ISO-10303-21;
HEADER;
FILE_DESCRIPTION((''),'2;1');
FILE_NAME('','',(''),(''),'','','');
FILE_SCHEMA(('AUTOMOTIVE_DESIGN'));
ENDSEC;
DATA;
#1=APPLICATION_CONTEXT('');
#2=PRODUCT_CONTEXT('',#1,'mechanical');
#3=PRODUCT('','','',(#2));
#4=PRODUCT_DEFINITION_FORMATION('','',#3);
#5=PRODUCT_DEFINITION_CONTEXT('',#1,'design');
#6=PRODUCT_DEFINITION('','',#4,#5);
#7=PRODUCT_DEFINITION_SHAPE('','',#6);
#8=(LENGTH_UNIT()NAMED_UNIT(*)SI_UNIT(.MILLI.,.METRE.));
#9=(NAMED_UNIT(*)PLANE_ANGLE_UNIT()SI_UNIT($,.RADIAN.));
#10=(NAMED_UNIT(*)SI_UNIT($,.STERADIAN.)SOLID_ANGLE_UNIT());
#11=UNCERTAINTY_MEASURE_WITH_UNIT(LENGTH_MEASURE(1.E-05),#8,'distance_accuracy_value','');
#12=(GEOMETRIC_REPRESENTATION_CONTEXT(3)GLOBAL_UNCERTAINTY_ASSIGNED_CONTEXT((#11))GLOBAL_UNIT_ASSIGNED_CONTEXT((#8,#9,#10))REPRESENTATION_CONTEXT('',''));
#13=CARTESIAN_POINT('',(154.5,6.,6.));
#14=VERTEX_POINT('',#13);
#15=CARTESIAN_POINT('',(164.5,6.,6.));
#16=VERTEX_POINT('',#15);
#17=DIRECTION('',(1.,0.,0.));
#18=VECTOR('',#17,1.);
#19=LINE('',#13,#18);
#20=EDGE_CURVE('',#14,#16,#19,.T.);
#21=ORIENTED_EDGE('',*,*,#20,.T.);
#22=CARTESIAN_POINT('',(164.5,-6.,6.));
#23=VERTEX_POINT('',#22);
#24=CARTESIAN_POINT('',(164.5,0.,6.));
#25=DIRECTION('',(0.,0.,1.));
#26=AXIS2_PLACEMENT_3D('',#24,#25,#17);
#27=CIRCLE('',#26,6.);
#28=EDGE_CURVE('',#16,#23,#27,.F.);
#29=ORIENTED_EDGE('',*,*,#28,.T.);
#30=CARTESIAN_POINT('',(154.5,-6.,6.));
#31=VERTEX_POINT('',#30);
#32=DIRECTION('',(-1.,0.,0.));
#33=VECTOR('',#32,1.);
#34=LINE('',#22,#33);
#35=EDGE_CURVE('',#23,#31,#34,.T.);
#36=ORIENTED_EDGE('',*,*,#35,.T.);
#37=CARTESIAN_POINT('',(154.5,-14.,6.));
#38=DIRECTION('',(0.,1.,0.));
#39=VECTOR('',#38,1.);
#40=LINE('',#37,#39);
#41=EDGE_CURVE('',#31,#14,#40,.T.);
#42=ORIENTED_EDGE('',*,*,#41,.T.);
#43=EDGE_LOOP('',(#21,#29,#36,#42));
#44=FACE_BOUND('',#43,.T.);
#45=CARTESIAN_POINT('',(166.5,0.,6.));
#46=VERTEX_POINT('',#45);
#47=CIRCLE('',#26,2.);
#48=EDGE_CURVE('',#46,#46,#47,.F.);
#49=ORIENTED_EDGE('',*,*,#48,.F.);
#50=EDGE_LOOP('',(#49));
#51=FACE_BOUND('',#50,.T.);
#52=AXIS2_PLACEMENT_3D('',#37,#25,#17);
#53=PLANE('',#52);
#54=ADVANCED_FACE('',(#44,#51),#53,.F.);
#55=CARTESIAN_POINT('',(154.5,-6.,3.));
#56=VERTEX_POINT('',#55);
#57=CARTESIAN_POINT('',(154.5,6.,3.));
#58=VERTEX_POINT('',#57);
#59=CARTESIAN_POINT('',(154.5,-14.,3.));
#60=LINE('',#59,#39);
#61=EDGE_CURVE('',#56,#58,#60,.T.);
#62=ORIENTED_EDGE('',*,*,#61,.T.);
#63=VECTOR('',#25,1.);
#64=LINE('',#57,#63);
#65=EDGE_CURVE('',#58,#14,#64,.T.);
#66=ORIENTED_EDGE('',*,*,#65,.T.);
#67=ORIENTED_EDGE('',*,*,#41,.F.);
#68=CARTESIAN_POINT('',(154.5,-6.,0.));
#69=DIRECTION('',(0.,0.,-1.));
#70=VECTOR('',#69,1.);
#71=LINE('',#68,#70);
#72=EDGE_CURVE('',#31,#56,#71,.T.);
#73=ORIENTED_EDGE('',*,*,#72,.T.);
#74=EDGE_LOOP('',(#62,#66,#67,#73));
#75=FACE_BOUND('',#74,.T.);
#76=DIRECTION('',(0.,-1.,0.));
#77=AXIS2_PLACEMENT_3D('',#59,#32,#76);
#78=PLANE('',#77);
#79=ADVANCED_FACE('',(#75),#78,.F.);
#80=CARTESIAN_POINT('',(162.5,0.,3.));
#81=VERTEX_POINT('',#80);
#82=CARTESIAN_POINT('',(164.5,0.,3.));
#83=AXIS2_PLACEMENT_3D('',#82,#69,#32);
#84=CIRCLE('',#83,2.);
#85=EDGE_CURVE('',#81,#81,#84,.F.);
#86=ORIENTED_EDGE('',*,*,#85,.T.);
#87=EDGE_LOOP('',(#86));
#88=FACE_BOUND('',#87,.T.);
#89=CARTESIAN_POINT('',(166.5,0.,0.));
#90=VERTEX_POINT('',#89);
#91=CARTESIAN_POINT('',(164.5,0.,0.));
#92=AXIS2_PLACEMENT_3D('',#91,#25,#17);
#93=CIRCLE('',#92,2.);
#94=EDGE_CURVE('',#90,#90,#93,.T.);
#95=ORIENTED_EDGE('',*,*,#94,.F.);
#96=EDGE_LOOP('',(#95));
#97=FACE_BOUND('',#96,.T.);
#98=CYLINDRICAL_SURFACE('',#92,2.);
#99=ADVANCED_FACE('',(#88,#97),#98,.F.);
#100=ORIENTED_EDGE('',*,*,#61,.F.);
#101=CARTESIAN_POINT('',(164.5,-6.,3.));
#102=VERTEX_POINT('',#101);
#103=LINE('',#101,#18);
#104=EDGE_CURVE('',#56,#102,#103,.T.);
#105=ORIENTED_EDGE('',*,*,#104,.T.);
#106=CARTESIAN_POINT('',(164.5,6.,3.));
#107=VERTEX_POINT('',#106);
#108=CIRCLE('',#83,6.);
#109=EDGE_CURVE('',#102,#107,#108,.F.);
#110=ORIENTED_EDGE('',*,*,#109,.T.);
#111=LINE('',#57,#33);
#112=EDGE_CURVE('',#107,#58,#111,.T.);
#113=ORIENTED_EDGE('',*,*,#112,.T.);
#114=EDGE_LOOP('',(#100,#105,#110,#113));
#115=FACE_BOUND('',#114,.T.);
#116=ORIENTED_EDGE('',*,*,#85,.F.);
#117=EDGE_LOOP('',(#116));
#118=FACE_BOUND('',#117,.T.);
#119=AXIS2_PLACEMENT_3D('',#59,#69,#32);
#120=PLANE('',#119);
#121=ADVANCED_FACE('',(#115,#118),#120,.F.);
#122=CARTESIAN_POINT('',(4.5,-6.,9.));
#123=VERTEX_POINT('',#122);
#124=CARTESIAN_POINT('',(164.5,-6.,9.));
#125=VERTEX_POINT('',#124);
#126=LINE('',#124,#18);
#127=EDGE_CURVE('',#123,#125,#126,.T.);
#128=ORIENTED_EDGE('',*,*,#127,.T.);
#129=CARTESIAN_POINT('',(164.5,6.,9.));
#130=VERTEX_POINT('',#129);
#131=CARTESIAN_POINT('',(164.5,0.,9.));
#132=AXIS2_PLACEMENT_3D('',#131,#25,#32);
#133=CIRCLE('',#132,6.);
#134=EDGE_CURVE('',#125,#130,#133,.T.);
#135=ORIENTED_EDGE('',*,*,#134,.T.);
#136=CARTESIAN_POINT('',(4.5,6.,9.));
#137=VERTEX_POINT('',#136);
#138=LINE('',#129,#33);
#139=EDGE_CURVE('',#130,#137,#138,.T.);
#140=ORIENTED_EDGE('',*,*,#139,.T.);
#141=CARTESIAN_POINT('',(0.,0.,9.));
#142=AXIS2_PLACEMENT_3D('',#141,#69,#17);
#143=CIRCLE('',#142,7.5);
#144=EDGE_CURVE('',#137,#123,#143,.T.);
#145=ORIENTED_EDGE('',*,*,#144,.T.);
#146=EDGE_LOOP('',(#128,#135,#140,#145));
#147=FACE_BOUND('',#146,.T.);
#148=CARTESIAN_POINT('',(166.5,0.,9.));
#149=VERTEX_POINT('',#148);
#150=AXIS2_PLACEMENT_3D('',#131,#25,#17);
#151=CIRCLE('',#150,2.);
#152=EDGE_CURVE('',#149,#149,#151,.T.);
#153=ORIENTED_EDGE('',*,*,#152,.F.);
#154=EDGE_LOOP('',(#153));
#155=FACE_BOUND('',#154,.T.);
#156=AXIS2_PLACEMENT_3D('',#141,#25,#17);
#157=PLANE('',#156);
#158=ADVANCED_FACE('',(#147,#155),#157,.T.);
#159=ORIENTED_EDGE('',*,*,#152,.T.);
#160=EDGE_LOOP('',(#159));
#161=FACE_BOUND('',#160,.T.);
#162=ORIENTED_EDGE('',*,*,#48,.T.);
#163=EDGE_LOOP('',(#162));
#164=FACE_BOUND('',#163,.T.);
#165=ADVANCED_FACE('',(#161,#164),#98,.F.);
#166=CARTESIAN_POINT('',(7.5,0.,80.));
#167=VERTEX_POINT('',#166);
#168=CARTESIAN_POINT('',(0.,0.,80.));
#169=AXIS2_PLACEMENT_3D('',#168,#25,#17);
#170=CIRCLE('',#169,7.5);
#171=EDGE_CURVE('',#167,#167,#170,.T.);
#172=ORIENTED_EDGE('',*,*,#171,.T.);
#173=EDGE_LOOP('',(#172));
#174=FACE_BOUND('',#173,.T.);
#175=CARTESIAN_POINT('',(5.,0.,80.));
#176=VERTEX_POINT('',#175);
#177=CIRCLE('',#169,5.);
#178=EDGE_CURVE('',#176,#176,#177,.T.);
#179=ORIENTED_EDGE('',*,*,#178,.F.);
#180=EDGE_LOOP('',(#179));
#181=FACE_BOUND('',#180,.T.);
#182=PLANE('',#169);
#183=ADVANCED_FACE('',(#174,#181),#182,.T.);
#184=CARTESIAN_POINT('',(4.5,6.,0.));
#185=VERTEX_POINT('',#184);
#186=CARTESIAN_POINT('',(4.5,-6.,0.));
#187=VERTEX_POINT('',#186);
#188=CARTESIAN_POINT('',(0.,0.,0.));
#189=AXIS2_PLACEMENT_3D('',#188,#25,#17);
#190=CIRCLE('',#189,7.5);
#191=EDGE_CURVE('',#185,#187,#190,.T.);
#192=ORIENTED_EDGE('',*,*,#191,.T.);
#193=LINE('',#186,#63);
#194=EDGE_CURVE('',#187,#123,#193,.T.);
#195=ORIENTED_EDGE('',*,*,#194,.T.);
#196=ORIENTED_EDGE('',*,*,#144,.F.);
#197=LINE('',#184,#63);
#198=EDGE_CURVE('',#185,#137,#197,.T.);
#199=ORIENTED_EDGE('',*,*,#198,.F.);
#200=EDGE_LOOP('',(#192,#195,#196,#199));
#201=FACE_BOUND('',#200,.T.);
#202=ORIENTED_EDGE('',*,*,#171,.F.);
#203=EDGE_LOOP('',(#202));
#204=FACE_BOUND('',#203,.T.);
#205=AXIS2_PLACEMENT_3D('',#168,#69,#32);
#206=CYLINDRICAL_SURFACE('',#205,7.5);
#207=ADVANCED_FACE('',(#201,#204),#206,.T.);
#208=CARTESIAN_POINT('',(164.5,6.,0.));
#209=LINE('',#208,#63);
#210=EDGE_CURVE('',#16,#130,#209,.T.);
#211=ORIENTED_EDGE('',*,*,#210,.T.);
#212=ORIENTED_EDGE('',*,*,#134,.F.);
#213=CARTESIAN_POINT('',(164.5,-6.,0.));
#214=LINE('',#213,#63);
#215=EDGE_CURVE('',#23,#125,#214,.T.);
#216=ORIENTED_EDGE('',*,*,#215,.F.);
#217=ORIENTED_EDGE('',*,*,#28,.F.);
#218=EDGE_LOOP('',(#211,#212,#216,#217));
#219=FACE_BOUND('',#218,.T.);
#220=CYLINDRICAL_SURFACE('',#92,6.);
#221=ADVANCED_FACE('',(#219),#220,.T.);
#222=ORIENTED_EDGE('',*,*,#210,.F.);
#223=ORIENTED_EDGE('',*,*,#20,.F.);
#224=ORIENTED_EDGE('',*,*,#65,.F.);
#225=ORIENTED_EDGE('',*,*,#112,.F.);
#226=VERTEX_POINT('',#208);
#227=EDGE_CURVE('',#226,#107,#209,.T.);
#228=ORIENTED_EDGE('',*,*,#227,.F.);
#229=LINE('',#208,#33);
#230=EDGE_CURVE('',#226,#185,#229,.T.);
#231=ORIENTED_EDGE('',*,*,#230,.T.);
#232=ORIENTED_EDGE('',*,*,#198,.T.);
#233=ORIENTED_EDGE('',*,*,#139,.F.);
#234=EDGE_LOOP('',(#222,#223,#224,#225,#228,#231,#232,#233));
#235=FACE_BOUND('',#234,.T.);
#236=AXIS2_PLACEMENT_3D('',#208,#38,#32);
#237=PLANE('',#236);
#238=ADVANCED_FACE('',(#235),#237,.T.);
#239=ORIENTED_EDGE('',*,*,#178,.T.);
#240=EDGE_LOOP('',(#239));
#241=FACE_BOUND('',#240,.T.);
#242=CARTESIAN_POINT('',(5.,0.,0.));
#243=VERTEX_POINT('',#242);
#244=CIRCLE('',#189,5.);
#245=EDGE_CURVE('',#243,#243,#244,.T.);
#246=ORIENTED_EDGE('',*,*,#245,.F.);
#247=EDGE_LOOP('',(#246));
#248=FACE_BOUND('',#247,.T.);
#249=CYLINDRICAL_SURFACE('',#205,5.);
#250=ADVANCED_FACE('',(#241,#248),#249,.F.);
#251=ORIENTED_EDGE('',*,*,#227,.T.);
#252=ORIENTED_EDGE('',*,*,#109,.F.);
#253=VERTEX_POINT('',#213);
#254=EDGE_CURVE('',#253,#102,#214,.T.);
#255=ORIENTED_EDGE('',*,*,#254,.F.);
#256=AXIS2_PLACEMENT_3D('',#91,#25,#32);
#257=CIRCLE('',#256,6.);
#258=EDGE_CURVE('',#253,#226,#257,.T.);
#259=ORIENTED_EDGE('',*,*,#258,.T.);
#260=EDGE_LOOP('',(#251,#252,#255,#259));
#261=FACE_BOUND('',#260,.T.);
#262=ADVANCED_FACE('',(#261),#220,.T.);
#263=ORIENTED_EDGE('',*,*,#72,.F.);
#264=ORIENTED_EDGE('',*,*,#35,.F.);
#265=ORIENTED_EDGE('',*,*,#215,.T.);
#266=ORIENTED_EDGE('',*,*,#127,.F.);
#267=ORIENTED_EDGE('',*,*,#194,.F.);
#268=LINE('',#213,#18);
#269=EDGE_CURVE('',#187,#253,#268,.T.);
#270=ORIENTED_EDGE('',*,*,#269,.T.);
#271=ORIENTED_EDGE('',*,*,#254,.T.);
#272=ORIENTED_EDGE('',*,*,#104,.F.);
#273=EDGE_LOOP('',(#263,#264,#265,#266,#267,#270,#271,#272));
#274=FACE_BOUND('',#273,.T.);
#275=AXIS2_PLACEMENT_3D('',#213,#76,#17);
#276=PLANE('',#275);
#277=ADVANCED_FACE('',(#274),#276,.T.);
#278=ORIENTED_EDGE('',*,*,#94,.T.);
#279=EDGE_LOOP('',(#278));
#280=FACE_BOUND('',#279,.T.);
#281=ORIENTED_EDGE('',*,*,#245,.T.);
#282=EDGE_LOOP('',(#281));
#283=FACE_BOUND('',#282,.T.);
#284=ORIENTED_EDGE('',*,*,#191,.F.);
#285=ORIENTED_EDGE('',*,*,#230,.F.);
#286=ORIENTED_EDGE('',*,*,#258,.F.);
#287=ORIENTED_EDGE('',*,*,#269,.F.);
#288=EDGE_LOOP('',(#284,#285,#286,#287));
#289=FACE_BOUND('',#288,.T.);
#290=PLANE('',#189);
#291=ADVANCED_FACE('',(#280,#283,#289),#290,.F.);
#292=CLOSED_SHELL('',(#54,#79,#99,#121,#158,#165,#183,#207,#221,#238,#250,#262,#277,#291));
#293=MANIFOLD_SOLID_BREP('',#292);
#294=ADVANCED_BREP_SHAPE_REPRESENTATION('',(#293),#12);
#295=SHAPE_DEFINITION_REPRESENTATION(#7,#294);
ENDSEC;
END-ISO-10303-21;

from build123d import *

# Parameters (mm, degrees)
SKETCH_1_R          = 7.5
SKETCH_1_R_2        = 5
EXTRUDE_1_DEPTH     = 80
EXTRUDE_START       = -9
SKETCH_2_R          = 2
EXTRUDE_2_DEPTH     = 9
SKETCH_4_W          = 20
SKETCH_4_H          = 3
CUT_EXTRUDE_1_DEPTH = 20


with BuildPart() as part:
    # 草图1 → 凸台-拉伸1 (new body)
    with BuildSketch(Plane.XY):
        Circle(SKETCH_1_R)
        Circle(SKETCH_1_R_2, mode=Mode.SUBTRACT)
    extrude(amount=EXTRUDE_1_DEPTH)

    # 草图2 → 凸台-拉伸2 (add)
    with BuildSketch(Plane.XY.offset(9).offset(EXTRUDE_START)):
        with BuildLine():
            Line((164.5, -6), (4.5, -6))
            ThreePointArc((4.5, -6), (7.5, 0), (4.5, 6))
            Line((4.5, 6), (164.5, 6))
            ThreePointArc((164.5, 6), (170.5, 0), (164.5, -6))
        make_face()
        with Locations((164.5, 0)):
            Circle(SKETCH_2_R, mode=Mode.SUBTRACT)
    extrude(amount=EXTRUDE_2_DEPTH)

    # 草图4 → 切除-拉伸1 (cut)
    with BuildSketch(Plane(origin=(0, 6, 0), x_dir=(1, 0, 0), z_dir=(0, 1, 0))):
        with Locations((164.5, -4.5)):
            Rectangle(SKETCH_4_W, SKETCH_4_H)
    extrude(amount=-CUT_EXTRUDE_1_DEPTH, mode=Mode.SUBTRACT)


solid = part.part
